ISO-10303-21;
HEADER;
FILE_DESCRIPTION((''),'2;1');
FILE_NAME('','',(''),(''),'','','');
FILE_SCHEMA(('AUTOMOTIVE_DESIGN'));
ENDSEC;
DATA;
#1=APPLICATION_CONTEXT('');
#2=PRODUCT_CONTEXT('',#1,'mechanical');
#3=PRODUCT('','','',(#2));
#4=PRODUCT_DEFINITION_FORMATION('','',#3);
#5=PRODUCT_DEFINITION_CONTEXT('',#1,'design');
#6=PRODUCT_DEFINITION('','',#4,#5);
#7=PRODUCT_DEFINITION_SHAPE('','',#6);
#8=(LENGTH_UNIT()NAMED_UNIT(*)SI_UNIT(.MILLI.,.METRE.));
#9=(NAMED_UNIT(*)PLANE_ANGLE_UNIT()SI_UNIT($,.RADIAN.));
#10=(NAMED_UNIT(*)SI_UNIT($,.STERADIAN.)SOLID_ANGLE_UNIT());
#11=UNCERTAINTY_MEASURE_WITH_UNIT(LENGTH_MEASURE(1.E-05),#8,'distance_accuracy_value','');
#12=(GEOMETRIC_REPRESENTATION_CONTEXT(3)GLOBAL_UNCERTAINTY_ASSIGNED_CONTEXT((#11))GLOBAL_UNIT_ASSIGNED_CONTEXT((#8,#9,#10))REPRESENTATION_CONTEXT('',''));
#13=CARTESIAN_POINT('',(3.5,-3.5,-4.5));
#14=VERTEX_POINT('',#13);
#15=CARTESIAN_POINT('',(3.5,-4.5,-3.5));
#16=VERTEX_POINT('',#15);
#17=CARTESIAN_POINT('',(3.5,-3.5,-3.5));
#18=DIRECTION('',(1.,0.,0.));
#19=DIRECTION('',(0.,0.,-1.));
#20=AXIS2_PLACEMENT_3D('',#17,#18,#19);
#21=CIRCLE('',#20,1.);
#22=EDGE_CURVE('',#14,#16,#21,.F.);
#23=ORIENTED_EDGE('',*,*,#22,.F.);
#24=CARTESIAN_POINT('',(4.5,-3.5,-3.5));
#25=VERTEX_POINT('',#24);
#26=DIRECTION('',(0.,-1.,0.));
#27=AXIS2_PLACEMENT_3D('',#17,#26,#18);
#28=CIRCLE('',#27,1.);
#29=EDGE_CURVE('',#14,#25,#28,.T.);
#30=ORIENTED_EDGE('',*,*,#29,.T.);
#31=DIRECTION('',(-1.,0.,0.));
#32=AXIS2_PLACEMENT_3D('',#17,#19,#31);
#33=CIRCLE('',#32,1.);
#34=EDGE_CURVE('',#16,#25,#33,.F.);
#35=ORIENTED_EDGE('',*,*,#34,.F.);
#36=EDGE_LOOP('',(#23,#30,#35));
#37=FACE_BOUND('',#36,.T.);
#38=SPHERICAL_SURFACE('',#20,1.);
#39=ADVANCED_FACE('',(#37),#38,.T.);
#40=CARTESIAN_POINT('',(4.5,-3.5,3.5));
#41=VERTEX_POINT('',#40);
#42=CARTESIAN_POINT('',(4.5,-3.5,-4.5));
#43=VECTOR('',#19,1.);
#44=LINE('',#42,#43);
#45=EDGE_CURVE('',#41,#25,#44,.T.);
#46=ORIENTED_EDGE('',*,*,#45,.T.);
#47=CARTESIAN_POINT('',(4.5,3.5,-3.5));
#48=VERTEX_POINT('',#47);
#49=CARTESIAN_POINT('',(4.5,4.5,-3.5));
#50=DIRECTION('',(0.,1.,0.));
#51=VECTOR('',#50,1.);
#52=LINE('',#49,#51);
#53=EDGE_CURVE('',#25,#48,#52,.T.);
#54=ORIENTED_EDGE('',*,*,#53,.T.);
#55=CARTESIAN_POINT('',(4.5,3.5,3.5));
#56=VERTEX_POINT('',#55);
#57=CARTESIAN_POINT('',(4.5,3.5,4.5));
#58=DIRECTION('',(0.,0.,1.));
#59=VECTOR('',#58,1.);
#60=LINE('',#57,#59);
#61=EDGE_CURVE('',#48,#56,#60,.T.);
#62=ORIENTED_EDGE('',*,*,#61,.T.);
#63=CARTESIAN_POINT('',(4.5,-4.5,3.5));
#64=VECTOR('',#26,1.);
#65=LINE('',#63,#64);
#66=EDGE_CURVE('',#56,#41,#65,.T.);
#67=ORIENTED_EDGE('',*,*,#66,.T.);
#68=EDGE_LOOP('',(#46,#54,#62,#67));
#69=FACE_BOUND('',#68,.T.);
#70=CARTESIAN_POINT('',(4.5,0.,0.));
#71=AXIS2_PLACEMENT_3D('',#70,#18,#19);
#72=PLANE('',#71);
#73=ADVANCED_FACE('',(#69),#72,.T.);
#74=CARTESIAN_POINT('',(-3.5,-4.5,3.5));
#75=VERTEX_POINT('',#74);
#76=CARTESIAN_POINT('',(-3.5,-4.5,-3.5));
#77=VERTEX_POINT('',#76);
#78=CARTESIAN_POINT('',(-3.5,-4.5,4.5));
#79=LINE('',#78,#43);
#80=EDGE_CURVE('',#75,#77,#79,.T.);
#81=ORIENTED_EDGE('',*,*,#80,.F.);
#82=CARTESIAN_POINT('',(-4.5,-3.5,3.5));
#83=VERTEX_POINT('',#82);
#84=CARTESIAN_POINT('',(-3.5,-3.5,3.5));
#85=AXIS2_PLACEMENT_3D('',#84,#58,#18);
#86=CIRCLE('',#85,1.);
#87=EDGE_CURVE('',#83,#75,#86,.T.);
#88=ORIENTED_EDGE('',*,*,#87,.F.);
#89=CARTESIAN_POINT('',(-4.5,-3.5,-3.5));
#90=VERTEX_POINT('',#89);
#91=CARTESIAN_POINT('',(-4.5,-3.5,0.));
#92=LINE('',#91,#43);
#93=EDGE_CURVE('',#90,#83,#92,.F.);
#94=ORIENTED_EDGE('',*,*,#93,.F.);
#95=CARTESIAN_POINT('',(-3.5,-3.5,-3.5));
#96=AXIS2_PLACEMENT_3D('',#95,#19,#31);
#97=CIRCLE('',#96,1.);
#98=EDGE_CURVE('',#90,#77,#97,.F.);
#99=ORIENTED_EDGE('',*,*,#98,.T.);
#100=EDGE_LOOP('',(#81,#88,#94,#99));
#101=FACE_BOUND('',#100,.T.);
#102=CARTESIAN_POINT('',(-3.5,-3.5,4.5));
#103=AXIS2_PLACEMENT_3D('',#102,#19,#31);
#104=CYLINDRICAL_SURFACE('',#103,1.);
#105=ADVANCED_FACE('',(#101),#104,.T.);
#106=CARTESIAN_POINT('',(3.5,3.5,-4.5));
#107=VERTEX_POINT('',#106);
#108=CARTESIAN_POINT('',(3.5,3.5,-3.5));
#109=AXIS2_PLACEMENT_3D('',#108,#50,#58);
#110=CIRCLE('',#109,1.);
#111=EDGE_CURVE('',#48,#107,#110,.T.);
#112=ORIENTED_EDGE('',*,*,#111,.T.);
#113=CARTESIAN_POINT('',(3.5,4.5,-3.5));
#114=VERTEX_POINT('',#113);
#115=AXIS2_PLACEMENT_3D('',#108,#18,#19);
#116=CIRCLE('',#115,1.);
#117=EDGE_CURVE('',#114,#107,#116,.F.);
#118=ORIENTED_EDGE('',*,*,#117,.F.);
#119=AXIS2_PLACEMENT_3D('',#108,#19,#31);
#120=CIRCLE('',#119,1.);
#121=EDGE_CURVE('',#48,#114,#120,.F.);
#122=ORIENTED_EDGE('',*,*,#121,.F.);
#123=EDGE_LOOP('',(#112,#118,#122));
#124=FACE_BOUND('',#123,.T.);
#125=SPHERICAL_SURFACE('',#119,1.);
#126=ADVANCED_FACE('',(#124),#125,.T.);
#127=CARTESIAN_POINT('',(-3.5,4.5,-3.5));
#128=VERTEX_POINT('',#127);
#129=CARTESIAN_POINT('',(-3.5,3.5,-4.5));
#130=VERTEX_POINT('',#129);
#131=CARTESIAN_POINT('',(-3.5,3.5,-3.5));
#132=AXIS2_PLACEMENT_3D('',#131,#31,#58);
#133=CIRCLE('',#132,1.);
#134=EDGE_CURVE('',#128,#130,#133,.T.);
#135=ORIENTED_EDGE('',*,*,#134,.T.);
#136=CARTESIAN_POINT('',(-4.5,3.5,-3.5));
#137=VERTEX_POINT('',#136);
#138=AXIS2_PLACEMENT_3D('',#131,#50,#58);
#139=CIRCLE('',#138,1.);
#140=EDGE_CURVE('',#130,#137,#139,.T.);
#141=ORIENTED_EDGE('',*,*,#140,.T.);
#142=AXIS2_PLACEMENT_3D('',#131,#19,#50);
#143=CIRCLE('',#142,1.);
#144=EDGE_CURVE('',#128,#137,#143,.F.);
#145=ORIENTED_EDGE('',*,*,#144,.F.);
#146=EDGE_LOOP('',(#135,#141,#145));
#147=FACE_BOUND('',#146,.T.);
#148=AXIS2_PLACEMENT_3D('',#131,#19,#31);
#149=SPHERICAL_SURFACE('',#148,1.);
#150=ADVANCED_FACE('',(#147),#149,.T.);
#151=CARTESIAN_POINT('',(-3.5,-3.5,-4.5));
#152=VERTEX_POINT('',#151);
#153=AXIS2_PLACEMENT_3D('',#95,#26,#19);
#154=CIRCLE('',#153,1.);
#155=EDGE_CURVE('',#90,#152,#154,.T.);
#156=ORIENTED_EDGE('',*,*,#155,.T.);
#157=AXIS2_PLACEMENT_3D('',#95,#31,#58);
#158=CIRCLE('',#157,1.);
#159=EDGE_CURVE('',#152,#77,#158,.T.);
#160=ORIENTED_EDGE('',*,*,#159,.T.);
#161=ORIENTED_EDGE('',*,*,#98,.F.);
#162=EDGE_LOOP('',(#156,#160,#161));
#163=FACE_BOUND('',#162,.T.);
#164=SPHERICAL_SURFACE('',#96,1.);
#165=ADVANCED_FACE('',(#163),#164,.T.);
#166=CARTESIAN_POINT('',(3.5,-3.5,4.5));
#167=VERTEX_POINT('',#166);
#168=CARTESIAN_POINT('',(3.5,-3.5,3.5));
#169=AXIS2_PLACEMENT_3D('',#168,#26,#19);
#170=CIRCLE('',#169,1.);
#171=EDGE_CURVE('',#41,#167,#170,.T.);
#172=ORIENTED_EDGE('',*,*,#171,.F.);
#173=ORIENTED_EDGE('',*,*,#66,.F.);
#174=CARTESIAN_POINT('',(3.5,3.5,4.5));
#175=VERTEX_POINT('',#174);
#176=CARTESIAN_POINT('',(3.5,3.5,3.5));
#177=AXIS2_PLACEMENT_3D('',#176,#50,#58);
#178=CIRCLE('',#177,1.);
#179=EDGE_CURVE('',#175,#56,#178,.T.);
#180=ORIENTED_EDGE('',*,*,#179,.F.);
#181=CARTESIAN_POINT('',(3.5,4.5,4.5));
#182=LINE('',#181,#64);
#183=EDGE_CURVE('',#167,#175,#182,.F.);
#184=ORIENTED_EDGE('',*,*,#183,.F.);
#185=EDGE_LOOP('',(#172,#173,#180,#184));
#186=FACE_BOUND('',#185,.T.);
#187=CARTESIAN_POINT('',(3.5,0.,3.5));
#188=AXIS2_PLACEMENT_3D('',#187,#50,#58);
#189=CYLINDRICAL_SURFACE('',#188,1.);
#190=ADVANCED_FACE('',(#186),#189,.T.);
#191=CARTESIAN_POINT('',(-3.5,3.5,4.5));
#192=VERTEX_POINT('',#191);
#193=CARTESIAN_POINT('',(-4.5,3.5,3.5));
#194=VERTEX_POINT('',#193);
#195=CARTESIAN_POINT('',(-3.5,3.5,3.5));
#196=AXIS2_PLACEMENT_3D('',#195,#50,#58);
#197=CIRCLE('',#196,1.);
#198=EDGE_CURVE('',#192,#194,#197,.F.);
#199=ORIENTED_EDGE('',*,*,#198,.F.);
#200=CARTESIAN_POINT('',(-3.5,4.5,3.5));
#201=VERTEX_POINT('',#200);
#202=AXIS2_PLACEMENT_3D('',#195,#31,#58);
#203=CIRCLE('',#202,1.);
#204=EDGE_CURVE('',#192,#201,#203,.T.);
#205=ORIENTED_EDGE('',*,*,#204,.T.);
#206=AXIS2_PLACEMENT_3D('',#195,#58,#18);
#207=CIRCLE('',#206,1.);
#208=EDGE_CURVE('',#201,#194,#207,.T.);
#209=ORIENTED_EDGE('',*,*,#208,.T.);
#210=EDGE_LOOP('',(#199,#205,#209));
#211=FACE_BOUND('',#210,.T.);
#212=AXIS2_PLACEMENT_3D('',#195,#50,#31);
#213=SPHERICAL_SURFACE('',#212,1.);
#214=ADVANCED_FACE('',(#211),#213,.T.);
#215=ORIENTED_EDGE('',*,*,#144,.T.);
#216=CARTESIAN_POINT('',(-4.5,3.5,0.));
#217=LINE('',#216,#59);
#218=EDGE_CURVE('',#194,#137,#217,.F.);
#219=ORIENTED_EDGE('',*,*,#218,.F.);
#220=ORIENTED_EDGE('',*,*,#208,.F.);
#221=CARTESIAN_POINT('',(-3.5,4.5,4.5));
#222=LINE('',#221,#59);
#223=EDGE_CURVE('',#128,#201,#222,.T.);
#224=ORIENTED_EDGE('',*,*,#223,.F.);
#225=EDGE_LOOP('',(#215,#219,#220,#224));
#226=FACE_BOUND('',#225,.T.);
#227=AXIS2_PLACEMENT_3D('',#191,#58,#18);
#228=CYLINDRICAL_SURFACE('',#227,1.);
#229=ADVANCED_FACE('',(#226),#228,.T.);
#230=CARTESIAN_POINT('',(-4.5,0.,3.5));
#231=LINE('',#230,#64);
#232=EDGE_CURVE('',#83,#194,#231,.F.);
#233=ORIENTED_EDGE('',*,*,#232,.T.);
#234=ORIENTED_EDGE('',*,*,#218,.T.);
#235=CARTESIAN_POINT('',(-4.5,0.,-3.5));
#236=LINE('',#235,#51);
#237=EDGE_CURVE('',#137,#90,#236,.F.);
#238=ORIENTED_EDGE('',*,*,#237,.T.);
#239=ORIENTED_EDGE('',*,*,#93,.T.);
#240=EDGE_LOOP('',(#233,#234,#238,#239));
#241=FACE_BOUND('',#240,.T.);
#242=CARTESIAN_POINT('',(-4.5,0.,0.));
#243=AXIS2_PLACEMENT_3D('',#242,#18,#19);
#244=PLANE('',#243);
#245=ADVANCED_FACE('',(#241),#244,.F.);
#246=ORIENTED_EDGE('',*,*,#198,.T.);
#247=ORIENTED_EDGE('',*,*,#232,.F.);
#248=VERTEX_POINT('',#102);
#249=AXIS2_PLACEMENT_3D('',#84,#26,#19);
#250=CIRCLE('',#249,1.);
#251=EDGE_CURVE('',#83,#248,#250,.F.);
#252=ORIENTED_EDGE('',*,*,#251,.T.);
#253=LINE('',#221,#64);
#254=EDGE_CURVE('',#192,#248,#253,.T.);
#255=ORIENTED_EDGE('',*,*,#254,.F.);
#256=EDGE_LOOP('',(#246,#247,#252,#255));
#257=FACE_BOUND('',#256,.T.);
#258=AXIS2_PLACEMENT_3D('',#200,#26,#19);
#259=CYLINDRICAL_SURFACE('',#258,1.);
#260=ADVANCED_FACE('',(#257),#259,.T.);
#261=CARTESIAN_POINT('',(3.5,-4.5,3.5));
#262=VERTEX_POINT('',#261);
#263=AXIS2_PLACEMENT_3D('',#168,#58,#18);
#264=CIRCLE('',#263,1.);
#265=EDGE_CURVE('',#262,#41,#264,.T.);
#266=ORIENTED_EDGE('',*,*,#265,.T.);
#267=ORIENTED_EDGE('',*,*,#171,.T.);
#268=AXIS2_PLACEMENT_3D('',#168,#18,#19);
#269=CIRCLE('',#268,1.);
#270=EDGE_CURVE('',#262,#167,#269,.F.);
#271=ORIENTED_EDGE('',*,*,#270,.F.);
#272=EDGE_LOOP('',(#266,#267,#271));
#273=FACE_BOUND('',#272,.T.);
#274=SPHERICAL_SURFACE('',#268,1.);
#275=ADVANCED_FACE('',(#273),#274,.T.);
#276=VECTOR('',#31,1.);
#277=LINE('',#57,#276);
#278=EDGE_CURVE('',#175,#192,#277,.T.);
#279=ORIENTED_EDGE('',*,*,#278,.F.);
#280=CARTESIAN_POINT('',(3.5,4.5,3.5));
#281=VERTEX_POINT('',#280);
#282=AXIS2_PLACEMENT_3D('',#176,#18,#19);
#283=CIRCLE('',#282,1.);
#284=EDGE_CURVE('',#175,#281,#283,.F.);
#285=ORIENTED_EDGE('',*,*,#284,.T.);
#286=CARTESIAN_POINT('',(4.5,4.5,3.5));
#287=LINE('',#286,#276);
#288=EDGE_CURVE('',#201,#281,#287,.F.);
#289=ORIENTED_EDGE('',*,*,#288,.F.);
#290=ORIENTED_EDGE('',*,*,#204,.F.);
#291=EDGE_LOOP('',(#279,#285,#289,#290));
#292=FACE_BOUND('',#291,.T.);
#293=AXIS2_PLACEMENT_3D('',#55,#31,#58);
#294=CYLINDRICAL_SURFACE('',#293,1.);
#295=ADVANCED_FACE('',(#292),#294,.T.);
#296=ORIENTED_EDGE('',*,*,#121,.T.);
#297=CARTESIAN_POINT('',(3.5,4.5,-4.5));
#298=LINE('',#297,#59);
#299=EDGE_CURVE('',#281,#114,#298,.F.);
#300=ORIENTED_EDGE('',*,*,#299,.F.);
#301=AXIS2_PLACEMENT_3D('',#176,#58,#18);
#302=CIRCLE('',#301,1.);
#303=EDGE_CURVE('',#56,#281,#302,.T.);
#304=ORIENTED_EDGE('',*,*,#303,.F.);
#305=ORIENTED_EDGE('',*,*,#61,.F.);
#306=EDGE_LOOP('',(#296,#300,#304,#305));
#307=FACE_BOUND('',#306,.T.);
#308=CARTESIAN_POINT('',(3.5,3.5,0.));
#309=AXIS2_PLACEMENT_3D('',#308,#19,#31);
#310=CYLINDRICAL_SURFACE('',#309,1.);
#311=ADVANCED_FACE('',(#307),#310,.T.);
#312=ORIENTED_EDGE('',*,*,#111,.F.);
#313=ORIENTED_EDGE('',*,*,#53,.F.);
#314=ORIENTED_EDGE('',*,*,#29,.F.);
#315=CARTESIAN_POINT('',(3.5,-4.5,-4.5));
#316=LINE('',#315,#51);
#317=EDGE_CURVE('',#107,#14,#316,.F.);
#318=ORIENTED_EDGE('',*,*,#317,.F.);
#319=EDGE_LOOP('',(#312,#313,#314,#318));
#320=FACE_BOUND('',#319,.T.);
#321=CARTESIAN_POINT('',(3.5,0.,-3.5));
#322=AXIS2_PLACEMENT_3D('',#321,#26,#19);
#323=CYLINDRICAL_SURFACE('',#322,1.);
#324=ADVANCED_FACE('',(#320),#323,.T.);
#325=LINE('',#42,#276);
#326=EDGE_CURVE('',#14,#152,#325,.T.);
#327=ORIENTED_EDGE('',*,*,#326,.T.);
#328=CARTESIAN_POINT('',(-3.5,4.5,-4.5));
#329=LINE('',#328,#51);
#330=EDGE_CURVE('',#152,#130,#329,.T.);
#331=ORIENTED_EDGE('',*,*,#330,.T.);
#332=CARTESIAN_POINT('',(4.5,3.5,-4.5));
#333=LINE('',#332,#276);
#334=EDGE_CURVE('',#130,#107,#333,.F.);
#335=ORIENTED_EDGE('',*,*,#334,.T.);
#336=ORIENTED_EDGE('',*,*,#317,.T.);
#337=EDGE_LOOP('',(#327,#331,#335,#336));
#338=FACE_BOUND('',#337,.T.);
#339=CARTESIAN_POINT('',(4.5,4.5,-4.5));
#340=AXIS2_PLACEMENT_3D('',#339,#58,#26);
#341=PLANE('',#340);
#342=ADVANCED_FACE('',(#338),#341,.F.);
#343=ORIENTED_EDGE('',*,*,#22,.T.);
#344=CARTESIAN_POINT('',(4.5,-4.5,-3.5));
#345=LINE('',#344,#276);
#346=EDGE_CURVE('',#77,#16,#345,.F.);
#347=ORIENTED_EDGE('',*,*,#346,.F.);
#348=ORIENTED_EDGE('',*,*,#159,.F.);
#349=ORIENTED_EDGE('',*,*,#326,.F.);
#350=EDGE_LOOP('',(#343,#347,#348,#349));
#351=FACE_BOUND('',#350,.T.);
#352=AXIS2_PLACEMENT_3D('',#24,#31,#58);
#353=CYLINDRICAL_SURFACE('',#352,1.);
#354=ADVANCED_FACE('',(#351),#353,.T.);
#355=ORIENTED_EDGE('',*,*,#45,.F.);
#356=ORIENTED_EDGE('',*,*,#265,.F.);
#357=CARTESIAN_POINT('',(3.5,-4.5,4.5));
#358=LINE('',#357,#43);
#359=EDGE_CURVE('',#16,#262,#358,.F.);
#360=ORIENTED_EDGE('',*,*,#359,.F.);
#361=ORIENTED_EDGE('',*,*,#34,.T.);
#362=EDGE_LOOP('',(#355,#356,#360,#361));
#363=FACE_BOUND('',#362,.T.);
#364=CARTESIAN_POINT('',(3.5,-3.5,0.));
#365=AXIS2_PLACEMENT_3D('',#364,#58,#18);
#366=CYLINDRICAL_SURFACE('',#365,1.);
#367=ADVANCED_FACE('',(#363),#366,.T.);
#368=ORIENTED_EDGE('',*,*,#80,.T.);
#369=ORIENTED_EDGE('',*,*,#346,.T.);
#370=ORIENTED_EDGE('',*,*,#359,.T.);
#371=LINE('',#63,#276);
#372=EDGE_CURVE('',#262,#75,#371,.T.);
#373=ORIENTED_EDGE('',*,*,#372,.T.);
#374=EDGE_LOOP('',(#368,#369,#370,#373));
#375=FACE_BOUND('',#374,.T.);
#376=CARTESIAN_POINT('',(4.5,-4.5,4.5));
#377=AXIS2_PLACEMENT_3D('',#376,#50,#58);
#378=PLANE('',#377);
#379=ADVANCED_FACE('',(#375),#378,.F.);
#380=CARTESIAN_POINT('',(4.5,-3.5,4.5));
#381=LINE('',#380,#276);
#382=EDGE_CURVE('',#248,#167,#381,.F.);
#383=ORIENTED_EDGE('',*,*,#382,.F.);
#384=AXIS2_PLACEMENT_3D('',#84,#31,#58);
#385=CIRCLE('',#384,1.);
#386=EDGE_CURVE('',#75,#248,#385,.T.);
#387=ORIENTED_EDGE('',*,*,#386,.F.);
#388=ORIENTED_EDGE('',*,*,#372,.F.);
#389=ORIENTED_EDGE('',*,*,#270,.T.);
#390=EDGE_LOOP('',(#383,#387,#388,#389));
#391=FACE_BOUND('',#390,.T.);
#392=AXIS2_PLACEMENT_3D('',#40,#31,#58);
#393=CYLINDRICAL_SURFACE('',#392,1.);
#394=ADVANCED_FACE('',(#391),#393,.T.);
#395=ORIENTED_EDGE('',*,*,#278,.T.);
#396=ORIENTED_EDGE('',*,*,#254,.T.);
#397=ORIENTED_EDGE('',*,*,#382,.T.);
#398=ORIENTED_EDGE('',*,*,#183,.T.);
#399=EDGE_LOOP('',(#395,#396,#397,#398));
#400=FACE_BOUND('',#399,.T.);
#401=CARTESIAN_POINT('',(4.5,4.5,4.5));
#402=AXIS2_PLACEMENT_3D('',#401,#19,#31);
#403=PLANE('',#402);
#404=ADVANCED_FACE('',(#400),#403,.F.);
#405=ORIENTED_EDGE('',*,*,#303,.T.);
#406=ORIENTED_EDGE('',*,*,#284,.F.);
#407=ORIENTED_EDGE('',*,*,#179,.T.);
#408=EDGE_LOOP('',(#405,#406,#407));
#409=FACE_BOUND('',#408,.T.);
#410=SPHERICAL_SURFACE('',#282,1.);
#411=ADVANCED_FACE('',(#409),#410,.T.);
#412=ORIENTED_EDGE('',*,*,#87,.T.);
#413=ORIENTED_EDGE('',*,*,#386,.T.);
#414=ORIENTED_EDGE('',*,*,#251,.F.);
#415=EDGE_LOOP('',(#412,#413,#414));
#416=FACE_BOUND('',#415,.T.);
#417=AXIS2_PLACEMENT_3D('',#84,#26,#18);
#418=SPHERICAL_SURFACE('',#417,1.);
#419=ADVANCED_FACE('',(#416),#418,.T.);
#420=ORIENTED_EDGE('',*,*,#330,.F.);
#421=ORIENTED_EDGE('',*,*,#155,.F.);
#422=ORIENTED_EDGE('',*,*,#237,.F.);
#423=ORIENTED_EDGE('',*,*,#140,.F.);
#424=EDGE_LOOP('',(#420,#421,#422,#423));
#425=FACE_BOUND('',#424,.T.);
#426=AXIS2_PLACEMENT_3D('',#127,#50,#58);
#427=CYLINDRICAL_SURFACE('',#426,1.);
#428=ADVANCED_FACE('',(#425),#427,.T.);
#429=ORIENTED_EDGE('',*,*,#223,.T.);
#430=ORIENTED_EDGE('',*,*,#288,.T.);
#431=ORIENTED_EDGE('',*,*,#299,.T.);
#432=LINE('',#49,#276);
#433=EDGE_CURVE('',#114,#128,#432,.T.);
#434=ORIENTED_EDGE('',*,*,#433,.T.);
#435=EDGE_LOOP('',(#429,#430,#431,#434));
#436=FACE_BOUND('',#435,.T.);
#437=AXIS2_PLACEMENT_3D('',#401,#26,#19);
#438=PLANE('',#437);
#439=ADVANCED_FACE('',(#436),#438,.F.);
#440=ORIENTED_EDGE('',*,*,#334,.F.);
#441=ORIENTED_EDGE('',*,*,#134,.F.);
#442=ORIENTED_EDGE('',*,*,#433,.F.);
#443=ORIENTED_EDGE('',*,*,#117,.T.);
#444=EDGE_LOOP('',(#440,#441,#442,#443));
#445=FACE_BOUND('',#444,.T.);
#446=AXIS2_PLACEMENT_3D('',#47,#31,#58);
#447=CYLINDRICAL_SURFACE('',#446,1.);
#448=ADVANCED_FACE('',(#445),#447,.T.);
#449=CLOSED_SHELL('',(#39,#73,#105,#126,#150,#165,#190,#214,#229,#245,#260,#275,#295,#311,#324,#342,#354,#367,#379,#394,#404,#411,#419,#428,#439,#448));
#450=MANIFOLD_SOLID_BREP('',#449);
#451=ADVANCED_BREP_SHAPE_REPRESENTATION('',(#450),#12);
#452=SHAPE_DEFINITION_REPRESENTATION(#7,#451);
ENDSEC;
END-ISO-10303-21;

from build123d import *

# Parameters (mm, degrees)
SKETCH1_W           = 9
SKETCH1_H           = 9
BOSS_EXTRUDE1_DEPTH = 4.5
FILLET1_R           = 1


with BuildPart() as part:
    # Sketch1 → Boss-Extrude1 (new, symmetric)
    with BuildSketch(Plane(origin=(0, 0, 0), x_dir=(0, 0, -1), z_dir=(1, 0, 0))):
        Rectangle(SKETCH1_W, SKETCH1_H)
    extrude(amount=BOSS_EXTRUDE1_DEPTH, both=True)

    # Fillet1
    fillet1_edges = [part.edges().sort_by_distance(p)[0] for p in [
        (4.5, 0, 4.5),
        (4.5, -4.5, 0),
        (4.5, 0, -4.5),
        (-4.5, -4.5, 0),
        (-4.5, 0, 4.5),
        (-4.5, 4.5, 0),
        (-4.5, 0, -4.5),
        (0, -4.5, -4.5),
        (0, -4.5, 4.5),
        (0, 4.5, 4.5),
        (0, 4.5, -4.5),
        (4.5, 4.5, 0),
    ]]
    fillet(fillet1_edges, radius=FILLET1_R)


solid = part.part
